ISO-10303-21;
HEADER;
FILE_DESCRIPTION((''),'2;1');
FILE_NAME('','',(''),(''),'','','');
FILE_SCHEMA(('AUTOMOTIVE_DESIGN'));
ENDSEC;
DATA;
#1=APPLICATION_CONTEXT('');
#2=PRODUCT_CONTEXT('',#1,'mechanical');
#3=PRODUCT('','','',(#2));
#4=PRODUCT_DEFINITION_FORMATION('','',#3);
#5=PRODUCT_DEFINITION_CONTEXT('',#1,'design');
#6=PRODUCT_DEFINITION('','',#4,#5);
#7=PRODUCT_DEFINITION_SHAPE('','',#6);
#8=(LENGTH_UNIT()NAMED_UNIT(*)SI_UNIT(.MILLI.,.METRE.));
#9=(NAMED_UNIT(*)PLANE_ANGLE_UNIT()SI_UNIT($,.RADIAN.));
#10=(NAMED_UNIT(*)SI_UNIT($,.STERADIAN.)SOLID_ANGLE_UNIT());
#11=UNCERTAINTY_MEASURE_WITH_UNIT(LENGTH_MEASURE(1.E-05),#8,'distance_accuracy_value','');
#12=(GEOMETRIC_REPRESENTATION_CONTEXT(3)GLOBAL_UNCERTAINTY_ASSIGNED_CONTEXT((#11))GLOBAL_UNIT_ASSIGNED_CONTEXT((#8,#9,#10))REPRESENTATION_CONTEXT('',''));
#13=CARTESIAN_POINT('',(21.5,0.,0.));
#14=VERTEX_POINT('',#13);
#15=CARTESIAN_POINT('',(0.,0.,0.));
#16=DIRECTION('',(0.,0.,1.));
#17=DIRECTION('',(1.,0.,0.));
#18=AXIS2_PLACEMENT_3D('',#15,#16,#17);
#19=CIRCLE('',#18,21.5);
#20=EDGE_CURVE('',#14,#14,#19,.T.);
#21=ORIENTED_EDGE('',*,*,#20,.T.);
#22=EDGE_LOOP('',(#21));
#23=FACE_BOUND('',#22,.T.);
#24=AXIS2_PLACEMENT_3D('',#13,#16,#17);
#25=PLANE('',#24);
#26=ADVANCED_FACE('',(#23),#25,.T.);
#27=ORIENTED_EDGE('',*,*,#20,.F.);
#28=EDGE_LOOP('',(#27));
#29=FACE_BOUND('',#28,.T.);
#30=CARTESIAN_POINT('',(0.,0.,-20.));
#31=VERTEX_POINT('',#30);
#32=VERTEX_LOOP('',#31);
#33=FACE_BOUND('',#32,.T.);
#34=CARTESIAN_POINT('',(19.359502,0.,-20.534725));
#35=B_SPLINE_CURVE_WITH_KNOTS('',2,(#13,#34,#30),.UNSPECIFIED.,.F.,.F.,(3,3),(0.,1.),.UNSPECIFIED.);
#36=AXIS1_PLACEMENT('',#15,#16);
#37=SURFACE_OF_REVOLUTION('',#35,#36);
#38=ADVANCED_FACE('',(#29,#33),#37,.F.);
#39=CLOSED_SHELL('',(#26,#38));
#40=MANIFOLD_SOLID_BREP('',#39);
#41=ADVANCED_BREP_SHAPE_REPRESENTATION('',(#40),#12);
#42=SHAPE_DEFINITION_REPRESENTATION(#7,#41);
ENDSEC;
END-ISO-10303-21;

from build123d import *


with BuildPart() as part:
    # Sketch3 → Revolve1 (revolve)
    with BuildSketch(Plane(origin=(0, 0, 0), x_dir=(1, 0, 0), z_dir=(0, 1, 0))):
        with BuildLine():
            Line((0, 0), (0, 20))
            add(Edge.make_bspline(
                [(0, 20), (19.359501992, 20.534724569), (21.5, 0)],
                knots=[0, 0, 0, 1, 1, 1], degree=2))
            Line((21.5, 0), (0, 0))
        make_face()
    revolve(axis=Axis((0, 0, 0), (0, 0, -1)))


solid = part.part
